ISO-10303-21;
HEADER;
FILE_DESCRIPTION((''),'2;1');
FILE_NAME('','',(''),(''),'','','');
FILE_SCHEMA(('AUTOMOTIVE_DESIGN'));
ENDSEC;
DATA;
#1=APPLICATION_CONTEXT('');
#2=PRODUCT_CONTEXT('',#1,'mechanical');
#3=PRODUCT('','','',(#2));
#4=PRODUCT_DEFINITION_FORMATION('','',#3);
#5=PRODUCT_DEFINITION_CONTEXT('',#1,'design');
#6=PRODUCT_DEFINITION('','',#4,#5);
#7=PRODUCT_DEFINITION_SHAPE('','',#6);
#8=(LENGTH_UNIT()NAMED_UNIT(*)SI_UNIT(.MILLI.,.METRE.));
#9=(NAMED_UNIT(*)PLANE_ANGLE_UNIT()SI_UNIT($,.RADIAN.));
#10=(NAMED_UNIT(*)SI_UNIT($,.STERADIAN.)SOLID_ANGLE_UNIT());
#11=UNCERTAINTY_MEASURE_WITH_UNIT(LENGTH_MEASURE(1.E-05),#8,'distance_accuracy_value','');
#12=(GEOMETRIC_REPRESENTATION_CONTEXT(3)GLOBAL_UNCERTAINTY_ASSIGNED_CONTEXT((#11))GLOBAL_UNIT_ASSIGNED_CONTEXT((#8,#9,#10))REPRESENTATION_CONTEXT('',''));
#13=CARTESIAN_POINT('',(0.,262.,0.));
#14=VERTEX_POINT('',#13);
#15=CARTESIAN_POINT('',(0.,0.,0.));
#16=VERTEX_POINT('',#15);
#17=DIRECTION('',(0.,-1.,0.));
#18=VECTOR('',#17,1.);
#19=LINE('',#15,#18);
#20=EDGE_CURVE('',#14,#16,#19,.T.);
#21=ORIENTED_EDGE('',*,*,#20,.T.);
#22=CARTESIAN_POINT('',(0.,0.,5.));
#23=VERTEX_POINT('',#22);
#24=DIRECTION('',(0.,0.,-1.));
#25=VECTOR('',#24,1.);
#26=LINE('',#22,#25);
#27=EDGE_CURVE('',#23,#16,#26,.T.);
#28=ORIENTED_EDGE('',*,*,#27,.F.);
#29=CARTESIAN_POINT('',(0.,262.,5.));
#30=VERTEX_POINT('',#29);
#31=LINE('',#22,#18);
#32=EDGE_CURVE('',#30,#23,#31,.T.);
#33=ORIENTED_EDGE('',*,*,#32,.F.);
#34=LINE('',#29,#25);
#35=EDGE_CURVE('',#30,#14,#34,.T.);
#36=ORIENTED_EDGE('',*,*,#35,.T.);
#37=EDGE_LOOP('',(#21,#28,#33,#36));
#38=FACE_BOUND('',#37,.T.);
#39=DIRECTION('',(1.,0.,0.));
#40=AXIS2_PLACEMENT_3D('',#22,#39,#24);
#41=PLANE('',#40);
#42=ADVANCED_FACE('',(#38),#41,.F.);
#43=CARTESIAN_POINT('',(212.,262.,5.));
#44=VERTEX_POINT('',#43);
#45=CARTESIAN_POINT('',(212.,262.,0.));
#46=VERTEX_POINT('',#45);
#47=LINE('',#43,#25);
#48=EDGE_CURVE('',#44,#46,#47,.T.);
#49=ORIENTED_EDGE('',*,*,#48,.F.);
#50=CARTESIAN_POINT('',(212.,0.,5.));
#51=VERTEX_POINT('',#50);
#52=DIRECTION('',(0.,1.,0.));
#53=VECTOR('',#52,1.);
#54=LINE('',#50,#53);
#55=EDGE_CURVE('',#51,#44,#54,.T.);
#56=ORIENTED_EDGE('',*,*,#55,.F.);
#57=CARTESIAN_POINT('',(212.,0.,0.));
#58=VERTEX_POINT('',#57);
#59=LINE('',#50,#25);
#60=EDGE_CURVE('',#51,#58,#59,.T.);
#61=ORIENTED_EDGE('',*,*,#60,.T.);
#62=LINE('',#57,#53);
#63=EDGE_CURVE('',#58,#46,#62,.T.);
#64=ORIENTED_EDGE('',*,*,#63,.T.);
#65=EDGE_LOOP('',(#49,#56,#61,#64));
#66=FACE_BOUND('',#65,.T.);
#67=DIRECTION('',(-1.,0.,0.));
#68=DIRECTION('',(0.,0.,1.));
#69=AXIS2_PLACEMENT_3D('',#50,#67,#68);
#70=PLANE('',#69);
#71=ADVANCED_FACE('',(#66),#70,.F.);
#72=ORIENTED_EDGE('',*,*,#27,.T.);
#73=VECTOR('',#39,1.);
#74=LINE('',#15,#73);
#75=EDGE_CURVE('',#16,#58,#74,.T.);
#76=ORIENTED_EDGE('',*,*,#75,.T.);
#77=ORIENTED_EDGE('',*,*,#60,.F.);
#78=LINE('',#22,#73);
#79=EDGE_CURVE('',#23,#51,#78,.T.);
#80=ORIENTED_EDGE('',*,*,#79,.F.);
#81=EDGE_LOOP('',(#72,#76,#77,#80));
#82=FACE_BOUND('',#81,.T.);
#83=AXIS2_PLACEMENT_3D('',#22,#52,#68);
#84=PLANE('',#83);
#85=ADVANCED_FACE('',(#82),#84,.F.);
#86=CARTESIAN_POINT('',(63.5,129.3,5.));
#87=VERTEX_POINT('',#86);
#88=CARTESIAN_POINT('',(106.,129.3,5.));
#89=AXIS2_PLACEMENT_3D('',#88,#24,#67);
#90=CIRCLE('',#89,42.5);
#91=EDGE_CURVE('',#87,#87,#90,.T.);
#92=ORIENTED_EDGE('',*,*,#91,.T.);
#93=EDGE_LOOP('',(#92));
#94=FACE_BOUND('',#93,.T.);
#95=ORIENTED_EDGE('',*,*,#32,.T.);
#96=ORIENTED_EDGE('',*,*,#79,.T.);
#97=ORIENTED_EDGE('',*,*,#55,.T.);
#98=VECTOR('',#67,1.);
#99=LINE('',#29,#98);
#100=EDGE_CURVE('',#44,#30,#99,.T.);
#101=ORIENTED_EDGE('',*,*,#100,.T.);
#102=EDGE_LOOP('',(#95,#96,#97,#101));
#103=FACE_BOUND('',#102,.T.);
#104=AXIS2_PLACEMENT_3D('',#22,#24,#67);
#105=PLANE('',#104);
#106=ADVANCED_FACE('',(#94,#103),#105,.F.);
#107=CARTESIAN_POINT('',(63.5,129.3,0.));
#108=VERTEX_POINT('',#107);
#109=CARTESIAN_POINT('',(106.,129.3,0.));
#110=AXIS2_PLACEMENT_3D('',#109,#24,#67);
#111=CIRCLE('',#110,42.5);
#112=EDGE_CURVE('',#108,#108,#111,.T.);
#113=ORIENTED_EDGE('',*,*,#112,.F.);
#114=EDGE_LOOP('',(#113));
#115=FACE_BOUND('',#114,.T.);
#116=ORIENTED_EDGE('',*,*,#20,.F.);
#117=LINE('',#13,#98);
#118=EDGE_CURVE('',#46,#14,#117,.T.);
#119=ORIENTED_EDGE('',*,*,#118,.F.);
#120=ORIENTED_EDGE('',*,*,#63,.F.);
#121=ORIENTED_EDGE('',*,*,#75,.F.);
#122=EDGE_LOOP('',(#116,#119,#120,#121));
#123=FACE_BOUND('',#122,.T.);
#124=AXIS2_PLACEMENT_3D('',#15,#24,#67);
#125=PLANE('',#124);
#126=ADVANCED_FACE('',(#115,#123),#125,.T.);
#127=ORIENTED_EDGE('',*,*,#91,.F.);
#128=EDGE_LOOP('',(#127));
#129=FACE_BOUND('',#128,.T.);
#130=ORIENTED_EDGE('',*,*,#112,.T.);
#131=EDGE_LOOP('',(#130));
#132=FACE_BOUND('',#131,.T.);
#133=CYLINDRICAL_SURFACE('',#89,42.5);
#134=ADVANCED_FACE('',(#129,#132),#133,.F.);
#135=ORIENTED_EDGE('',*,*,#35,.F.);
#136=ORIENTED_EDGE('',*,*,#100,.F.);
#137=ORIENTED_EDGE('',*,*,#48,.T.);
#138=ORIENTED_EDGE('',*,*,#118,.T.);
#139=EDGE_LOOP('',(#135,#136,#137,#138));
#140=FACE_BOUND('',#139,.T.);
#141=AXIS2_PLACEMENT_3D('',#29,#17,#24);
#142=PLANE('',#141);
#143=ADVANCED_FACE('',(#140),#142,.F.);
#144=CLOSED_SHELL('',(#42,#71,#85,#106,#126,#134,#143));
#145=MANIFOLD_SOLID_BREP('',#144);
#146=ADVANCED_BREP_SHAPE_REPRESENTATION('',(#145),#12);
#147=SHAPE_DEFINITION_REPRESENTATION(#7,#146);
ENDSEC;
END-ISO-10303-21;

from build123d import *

# Parameters (mm, degrees)
ESQUISSE1_W             = 212
ESQUISSE1_H             = 262
BOSS_EXTRU_1_DEPTH      = 5
ESQUISSE2_R             = 42.5
ENL_V_MAT_EXTRU_1_DEPTH = 6


with BuildPart() as part:
    # Esquisse1 → Boss.-Extru.1 (new body)
    with BuildSketch(Plane.XY):
        with Locations((106, 131)):
            Rectangle(ESQUISSE1_W, ESQUISSE1_H)
    extrude(amount=BOSS_EXTRU_1_DEPTH)

    # Esquisse2 → Enlèv. mat.-Extru.1 (cut, through all)
    with BuildSketch(Plane(origin=(0, 0, 0), x_dir=(-1, 0, 0), z_dir=(0, 0, -1))):
        with Locations((-106, 129.3)):
            Circle(ESQUISSE2_R)
    extrude(amount=-ENL_V_MAT_EXTRU_1_DEPTH, mode=Mode.SUBTRACT)


solid = part.part
